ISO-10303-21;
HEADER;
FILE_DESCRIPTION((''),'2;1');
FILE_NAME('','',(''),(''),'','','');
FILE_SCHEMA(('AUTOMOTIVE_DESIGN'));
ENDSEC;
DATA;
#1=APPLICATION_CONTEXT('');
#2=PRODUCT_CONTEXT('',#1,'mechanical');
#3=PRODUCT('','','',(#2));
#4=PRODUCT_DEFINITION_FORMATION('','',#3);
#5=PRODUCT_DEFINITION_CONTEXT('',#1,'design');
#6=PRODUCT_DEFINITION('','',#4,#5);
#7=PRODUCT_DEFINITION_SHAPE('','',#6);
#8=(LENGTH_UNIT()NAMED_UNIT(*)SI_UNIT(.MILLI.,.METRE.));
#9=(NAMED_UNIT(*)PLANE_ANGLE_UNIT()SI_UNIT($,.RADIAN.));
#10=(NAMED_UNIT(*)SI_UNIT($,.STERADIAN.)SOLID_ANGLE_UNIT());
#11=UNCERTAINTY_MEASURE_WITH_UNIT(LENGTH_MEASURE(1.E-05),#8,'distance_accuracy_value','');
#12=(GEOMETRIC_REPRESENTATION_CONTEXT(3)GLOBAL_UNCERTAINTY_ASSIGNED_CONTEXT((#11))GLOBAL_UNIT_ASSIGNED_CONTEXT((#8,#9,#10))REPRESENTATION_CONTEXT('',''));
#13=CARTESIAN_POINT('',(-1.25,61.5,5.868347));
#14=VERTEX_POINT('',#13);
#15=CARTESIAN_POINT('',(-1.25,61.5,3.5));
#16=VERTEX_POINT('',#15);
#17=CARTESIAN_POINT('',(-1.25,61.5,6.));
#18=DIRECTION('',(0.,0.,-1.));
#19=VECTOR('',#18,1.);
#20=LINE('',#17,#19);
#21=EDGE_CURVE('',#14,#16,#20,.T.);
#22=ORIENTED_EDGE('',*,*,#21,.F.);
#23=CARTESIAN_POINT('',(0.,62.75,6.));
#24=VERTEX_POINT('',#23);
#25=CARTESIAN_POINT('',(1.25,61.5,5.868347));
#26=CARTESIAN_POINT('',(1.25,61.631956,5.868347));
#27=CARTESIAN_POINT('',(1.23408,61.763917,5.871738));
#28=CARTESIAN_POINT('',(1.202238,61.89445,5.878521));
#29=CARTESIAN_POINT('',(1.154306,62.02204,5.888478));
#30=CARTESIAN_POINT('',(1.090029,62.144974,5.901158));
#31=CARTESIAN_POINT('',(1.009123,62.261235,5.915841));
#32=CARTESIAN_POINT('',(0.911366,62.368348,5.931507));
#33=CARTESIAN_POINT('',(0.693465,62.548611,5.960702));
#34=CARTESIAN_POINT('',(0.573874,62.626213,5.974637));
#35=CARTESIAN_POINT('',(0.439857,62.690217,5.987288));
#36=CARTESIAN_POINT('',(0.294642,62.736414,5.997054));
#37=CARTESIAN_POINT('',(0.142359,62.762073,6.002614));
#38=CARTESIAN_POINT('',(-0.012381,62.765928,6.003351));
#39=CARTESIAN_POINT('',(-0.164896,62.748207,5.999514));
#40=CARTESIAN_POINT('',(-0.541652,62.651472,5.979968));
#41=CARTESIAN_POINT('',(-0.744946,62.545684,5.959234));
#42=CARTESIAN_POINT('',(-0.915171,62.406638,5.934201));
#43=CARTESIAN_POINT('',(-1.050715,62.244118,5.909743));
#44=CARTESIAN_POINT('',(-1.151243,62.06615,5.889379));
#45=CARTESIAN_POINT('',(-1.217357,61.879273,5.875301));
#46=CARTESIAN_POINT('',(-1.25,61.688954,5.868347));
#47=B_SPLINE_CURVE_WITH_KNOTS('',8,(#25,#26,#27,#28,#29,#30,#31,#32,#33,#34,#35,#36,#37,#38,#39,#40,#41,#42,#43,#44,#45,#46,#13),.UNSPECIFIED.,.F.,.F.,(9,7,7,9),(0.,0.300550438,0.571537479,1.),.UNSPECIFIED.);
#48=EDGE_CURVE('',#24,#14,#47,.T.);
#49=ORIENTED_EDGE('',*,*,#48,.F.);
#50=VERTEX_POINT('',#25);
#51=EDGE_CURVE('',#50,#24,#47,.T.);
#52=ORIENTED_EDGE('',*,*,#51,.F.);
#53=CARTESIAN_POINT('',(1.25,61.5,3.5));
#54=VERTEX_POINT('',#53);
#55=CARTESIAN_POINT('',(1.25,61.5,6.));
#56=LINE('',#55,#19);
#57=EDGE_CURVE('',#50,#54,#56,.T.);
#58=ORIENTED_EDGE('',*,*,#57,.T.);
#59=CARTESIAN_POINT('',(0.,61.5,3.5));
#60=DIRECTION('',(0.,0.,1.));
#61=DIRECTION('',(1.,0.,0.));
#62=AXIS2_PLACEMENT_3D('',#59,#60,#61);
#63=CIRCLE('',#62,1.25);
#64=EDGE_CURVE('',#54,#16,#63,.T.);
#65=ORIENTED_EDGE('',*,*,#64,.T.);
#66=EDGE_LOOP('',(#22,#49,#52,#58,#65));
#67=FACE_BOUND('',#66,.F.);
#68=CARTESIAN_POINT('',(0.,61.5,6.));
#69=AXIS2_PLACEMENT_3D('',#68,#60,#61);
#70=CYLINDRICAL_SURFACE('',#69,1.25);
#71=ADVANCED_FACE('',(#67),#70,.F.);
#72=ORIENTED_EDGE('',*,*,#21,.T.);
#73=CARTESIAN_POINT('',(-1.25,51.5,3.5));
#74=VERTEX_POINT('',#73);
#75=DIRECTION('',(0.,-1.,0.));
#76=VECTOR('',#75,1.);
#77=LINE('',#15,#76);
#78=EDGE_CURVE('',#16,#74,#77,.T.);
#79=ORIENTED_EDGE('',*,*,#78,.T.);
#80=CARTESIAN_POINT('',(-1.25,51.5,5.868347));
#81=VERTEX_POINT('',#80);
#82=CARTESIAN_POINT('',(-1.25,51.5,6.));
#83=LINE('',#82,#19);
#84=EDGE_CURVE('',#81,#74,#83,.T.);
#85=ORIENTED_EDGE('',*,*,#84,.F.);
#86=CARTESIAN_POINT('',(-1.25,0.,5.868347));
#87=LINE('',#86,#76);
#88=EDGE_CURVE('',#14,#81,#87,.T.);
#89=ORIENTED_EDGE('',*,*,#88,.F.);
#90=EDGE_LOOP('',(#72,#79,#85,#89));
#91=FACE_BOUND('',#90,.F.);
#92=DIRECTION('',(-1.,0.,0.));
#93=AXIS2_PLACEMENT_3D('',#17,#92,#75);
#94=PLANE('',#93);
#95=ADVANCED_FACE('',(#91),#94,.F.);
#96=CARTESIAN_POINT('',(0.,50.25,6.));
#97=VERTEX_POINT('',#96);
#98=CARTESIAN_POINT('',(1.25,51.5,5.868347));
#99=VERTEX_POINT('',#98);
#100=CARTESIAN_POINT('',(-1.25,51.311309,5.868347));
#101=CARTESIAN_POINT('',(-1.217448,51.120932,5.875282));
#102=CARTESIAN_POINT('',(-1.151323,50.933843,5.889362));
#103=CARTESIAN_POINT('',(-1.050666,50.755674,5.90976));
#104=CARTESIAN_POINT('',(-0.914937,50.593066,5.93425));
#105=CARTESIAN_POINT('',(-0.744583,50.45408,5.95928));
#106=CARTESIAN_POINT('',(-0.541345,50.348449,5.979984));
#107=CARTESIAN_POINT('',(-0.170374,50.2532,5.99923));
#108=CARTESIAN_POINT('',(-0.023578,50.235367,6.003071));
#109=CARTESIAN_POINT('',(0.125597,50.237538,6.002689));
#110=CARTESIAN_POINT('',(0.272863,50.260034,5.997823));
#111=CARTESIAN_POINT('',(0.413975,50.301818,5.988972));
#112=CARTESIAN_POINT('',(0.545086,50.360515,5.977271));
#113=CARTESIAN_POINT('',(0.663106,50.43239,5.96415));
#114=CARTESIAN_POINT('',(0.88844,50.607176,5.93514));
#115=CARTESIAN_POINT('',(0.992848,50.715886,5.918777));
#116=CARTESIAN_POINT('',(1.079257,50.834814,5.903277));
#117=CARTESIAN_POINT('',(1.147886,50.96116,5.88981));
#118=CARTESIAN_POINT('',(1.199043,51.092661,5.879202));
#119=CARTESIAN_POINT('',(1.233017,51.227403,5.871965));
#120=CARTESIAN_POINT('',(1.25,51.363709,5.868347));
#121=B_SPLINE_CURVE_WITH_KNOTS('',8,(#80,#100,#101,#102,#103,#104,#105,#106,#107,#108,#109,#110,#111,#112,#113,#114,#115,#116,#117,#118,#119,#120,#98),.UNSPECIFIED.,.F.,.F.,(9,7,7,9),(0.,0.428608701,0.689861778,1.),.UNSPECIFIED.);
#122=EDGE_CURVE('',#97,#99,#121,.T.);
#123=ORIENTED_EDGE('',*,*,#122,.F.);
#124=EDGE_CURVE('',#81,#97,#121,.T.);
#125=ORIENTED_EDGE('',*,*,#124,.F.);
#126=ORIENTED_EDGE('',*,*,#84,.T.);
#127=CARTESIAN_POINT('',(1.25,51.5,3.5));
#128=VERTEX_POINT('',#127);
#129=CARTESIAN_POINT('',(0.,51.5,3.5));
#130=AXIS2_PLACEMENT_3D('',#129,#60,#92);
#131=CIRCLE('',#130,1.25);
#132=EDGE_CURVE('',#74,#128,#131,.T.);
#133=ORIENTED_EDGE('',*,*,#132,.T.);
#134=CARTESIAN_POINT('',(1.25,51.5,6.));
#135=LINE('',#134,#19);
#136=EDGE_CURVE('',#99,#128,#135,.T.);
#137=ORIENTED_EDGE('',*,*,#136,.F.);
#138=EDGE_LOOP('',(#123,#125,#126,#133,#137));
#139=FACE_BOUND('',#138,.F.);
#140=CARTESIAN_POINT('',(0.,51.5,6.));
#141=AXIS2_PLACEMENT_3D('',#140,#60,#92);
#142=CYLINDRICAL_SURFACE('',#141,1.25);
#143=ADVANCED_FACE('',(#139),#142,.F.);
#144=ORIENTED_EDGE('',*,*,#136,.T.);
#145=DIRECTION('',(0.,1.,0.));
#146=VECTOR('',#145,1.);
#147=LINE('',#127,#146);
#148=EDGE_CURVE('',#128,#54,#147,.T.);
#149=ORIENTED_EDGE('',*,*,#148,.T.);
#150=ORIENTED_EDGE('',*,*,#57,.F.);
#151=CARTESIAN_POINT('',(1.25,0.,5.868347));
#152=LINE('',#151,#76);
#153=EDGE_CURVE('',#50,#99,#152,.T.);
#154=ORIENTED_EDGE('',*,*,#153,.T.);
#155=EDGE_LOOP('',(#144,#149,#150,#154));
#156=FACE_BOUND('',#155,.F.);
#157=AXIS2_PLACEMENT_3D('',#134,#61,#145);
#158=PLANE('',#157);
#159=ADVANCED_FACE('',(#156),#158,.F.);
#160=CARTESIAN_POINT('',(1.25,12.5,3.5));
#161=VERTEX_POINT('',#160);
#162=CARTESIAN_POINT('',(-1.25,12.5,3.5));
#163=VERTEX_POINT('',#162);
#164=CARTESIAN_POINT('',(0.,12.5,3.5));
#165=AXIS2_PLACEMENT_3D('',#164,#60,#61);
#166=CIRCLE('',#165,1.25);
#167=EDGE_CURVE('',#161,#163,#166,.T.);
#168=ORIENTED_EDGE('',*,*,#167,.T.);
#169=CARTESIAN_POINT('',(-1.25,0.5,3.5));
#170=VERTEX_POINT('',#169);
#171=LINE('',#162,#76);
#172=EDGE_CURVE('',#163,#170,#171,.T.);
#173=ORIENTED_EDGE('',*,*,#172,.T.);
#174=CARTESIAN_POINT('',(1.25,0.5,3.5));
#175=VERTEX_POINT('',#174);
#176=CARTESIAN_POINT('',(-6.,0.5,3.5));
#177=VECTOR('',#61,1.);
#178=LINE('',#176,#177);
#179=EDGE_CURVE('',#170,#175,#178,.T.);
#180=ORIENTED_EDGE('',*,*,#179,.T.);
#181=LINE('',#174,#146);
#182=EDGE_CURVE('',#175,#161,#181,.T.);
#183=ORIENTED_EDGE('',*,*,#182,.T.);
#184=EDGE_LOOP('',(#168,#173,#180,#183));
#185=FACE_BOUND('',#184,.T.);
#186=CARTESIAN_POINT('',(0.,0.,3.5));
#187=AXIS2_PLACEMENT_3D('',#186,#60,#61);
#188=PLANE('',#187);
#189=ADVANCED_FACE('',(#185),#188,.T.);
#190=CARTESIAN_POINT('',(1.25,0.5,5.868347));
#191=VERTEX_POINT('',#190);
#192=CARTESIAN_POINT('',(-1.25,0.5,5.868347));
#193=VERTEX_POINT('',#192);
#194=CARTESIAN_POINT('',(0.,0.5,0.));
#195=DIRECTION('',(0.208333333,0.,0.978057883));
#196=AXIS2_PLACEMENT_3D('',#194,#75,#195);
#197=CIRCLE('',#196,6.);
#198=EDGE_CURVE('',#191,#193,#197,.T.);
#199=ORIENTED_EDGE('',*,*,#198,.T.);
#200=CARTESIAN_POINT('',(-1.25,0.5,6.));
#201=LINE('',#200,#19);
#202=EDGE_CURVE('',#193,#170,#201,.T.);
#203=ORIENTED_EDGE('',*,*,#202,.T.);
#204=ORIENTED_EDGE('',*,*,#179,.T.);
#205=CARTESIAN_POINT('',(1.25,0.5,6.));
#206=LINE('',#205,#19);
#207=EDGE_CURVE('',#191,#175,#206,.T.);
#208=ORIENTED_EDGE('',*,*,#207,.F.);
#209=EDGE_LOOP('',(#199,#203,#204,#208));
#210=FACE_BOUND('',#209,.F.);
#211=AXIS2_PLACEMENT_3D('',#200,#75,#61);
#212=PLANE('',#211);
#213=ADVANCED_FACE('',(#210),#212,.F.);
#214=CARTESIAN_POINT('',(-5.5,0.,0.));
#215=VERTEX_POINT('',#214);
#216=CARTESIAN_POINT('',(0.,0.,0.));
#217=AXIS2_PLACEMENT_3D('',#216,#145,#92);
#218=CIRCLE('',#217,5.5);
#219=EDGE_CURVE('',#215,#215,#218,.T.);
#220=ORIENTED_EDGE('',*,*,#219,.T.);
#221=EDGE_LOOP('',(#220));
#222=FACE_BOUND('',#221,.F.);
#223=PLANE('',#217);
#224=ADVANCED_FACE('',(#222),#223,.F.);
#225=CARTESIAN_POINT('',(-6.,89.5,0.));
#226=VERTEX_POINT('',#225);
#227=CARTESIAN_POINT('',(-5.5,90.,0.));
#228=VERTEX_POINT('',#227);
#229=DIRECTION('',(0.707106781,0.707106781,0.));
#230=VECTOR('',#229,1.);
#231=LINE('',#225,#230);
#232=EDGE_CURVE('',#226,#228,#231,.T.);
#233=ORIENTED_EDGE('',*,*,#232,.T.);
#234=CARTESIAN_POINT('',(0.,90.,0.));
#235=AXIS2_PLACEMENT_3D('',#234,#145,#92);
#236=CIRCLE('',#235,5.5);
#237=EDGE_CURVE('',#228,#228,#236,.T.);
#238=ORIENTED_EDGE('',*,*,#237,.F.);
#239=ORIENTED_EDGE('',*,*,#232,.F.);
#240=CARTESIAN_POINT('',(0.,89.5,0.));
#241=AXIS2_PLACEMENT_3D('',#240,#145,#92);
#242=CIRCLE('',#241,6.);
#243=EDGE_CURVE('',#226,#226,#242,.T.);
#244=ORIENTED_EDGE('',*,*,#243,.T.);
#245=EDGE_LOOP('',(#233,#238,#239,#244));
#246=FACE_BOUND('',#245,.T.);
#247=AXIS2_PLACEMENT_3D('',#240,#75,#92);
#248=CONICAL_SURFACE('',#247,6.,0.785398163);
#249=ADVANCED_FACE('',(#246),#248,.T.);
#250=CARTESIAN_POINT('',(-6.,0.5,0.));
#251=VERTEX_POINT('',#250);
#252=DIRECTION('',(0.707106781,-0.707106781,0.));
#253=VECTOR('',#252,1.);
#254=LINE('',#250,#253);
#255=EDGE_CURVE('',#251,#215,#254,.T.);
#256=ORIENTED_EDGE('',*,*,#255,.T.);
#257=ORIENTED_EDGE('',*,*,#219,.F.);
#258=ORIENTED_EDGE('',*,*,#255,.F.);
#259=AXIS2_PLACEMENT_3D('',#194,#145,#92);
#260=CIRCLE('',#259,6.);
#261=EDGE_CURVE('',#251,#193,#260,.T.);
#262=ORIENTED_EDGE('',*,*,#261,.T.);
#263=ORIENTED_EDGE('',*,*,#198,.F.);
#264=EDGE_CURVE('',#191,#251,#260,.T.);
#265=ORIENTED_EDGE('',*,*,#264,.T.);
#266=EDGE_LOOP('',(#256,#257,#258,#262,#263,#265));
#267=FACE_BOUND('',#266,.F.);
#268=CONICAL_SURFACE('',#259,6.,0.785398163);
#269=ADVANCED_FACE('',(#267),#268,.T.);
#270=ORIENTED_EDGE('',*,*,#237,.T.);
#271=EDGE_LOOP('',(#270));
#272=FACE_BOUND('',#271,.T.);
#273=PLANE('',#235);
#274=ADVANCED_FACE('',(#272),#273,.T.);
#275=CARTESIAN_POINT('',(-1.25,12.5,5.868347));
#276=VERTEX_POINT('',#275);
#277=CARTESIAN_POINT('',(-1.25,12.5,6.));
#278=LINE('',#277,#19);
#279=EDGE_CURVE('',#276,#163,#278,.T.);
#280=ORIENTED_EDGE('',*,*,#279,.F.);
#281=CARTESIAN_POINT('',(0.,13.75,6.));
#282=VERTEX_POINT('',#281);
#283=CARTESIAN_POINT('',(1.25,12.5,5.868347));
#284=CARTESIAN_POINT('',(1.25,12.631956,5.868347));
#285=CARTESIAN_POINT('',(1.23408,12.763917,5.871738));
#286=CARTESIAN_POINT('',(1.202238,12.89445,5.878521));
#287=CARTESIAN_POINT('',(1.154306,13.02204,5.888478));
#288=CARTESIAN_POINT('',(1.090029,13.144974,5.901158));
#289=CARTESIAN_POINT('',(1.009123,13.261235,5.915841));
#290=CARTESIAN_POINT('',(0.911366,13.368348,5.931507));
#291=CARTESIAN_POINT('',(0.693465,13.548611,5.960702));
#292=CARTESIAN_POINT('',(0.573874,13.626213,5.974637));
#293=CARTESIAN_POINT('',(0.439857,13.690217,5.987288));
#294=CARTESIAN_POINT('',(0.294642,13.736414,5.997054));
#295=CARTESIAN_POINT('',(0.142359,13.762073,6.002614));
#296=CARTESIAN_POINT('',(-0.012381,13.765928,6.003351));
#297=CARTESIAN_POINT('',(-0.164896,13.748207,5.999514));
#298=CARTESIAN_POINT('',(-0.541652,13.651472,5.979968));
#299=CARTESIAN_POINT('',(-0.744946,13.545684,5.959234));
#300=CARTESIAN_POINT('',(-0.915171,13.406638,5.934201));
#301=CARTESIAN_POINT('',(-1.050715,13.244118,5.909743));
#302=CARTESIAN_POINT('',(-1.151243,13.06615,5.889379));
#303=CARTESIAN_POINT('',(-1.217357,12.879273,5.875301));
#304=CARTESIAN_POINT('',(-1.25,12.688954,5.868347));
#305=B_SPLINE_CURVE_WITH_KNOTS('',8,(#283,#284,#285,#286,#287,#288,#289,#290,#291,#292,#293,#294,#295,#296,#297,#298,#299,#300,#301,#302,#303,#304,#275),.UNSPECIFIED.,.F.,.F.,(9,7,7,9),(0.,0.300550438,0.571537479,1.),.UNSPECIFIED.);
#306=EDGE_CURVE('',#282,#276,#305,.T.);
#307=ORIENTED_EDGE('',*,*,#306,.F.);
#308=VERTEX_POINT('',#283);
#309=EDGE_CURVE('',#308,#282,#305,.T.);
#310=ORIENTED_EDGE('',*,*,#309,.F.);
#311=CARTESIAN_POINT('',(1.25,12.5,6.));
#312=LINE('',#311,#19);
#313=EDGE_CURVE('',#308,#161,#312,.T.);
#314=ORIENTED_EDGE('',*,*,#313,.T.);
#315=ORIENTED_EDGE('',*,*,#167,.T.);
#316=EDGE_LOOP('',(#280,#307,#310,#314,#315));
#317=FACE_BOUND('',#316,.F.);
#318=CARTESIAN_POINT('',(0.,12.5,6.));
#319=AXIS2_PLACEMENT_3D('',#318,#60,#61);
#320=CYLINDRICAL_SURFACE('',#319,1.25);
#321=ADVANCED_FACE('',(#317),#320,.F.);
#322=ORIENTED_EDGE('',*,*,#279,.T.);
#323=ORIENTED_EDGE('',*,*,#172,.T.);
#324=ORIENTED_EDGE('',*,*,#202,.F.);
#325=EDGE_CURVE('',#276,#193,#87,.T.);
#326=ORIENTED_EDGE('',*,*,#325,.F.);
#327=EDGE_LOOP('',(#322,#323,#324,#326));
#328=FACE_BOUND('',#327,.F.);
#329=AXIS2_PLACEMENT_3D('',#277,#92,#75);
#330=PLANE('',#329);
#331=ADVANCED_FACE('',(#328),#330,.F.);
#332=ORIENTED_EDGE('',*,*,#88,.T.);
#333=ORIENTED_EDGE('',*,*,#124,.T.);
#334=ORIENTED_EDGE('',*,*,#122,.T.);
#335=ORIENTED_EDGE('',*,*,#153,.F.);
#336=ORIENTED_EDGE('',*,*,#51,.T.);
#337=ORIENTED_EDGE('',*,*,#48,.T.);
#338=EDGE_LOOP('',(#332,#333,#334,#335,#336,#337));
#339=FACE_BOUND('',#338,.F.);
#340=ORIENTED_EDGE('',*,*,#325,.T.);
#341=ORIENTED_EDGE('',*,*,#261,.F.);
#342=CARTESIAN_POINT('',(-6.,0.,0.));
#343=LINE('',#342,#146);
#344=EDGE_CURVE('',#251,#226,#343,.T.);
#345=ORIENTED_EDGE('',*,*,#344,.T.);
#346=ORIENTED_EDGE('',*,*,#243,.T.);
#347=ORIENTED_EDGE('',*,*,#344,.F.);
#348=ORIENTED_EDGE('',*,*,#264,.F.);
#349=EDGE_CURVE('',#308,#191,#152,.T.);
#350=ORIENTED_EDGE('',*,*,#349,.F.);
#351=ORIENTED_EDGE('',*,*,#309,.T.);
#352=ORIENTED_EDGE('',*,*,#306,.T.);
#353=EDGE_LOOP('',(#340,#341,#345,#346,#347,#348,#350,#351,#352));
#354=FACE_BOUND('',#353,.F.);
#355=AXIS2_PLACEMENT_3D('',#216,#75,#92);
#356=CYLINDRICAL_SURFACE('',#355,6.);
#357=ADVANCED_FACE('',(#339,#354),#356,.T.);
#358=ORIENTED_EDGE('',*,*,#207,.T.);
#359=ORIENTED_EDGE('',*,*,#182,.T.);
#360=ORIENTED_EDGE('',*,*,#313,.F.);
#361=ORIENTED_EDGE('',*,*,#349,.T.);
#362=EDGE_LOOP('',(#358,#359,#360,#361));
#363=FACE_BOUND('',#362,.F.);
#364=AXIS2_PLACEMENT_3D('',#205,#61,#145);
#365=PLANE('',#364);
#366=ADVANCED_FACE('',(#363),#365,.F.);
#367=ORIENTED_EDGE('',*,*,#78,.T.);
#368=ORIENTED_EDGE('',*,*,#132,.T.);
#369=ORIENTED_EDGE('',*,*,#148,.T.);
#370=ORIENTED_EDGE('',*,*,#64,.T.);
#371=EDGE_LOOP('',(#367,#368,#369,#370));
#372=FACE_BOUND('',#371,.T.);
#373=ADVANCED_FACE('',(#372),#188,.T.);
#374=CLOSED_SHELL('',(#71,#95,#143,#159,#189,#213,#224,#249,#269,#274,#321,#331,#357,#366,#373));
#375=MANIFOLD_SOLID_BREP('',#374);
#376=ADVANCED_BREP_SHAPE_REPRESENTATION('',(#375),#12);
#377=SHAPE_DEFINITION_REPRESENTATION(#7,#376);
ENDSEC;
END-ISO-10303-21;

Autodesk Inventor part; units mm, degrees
ref_plane "YZ Plane" through (0, 0, 0) normal (1, 0, 0) x (0, 1, 0)
sketch "Esboço1" plane through (0, 0, 0) normal (0, 1, 0) x (-1, 0, 0)
  circle A0 centre (0, 0) radius 6
  dimension "d0" = 12
extrude "Extrusão1" add sketch "Esboço1" along normal blind 90
chamfer "Chanfro1" distance 0.5 angle 45 1 edges at (6, 90, 0) measured on face at (0.7092, 90, 1.4219)
chamfer "Chanfro2" distance 0.5 angle 45 1 edges at (6, 0, 0) measured on face at (0.7092, 0, 1.4219)
ref_plane "Plano de trabalho1" through (0, 0, -6) normal (0, 0, 1) x (1, 0, 0)
ref_plane "Plano de trabalho2" through (0, 0, 6) normal (0, 0, 1) x (1, 0, 0)
sketch "Esboço2" plane through (0, 0, 6) normal (0, 0, 1) x (1, 0, 0)
  line L0 (6, 89.5) -> (-6, 89.5) construction
  line L1 (6, 89.5) -> (6, 61.5) construction
  line L2 (6, 0.5) -> (6, 89.5) construction
  line L3 (6, 61.5) -> (6, 51.5) construction
  line L4 (6, 0.5) -> (6, 12.5) construction
  line L5 (0, 61.5) -> (0, 51.5) construction
  line L6 (-1.25, 61.5) -> (-1.25, 51.5)
  line L7 (1.25, 51.5) -> (1.25, 61.5)
  arc A0 (1.25, 61.5) -> (-1.25, 61.5) centre (0, 61.5) ccw
  arc A1 (-1.25, 51.5) -> (1.25, 51.5) centre (0, 51.5) ccw
  line L8 (0, 12.5) -> (0, 0.5) construction
  line L9 (-6, 0.5) -> (6, 0.5) projected
  line L10 (-1.25, 12.5) -> (-1.25, 0.5)
  line L11 (1.25, 0.5) -> (1.25, 12.5)
  arc A2 (1.25, 12.5) -> (-1.25, 12.5) centre (0, 12.5) ccw
  arc A3 (-1.25, 0.5) -> (1.25, 0.5) centre (0, 0.5) ccw
  point P0 (0, 0)
  point P1 (0, 56.5)
  point P2 (0, 6.5)
  dimension "d9" = 28
  dimension "d10" = 10
  dimension "d11" = 12
  dimension "d12" = 2.5
  dimension "d13" = 2.5
extrude "Extrusão2" cut sketch "Esboço2" against normal blind 2.5 contours A0 L7 A1 L6 | L10 A2 L11 L9
properties part number "eixo 5"
